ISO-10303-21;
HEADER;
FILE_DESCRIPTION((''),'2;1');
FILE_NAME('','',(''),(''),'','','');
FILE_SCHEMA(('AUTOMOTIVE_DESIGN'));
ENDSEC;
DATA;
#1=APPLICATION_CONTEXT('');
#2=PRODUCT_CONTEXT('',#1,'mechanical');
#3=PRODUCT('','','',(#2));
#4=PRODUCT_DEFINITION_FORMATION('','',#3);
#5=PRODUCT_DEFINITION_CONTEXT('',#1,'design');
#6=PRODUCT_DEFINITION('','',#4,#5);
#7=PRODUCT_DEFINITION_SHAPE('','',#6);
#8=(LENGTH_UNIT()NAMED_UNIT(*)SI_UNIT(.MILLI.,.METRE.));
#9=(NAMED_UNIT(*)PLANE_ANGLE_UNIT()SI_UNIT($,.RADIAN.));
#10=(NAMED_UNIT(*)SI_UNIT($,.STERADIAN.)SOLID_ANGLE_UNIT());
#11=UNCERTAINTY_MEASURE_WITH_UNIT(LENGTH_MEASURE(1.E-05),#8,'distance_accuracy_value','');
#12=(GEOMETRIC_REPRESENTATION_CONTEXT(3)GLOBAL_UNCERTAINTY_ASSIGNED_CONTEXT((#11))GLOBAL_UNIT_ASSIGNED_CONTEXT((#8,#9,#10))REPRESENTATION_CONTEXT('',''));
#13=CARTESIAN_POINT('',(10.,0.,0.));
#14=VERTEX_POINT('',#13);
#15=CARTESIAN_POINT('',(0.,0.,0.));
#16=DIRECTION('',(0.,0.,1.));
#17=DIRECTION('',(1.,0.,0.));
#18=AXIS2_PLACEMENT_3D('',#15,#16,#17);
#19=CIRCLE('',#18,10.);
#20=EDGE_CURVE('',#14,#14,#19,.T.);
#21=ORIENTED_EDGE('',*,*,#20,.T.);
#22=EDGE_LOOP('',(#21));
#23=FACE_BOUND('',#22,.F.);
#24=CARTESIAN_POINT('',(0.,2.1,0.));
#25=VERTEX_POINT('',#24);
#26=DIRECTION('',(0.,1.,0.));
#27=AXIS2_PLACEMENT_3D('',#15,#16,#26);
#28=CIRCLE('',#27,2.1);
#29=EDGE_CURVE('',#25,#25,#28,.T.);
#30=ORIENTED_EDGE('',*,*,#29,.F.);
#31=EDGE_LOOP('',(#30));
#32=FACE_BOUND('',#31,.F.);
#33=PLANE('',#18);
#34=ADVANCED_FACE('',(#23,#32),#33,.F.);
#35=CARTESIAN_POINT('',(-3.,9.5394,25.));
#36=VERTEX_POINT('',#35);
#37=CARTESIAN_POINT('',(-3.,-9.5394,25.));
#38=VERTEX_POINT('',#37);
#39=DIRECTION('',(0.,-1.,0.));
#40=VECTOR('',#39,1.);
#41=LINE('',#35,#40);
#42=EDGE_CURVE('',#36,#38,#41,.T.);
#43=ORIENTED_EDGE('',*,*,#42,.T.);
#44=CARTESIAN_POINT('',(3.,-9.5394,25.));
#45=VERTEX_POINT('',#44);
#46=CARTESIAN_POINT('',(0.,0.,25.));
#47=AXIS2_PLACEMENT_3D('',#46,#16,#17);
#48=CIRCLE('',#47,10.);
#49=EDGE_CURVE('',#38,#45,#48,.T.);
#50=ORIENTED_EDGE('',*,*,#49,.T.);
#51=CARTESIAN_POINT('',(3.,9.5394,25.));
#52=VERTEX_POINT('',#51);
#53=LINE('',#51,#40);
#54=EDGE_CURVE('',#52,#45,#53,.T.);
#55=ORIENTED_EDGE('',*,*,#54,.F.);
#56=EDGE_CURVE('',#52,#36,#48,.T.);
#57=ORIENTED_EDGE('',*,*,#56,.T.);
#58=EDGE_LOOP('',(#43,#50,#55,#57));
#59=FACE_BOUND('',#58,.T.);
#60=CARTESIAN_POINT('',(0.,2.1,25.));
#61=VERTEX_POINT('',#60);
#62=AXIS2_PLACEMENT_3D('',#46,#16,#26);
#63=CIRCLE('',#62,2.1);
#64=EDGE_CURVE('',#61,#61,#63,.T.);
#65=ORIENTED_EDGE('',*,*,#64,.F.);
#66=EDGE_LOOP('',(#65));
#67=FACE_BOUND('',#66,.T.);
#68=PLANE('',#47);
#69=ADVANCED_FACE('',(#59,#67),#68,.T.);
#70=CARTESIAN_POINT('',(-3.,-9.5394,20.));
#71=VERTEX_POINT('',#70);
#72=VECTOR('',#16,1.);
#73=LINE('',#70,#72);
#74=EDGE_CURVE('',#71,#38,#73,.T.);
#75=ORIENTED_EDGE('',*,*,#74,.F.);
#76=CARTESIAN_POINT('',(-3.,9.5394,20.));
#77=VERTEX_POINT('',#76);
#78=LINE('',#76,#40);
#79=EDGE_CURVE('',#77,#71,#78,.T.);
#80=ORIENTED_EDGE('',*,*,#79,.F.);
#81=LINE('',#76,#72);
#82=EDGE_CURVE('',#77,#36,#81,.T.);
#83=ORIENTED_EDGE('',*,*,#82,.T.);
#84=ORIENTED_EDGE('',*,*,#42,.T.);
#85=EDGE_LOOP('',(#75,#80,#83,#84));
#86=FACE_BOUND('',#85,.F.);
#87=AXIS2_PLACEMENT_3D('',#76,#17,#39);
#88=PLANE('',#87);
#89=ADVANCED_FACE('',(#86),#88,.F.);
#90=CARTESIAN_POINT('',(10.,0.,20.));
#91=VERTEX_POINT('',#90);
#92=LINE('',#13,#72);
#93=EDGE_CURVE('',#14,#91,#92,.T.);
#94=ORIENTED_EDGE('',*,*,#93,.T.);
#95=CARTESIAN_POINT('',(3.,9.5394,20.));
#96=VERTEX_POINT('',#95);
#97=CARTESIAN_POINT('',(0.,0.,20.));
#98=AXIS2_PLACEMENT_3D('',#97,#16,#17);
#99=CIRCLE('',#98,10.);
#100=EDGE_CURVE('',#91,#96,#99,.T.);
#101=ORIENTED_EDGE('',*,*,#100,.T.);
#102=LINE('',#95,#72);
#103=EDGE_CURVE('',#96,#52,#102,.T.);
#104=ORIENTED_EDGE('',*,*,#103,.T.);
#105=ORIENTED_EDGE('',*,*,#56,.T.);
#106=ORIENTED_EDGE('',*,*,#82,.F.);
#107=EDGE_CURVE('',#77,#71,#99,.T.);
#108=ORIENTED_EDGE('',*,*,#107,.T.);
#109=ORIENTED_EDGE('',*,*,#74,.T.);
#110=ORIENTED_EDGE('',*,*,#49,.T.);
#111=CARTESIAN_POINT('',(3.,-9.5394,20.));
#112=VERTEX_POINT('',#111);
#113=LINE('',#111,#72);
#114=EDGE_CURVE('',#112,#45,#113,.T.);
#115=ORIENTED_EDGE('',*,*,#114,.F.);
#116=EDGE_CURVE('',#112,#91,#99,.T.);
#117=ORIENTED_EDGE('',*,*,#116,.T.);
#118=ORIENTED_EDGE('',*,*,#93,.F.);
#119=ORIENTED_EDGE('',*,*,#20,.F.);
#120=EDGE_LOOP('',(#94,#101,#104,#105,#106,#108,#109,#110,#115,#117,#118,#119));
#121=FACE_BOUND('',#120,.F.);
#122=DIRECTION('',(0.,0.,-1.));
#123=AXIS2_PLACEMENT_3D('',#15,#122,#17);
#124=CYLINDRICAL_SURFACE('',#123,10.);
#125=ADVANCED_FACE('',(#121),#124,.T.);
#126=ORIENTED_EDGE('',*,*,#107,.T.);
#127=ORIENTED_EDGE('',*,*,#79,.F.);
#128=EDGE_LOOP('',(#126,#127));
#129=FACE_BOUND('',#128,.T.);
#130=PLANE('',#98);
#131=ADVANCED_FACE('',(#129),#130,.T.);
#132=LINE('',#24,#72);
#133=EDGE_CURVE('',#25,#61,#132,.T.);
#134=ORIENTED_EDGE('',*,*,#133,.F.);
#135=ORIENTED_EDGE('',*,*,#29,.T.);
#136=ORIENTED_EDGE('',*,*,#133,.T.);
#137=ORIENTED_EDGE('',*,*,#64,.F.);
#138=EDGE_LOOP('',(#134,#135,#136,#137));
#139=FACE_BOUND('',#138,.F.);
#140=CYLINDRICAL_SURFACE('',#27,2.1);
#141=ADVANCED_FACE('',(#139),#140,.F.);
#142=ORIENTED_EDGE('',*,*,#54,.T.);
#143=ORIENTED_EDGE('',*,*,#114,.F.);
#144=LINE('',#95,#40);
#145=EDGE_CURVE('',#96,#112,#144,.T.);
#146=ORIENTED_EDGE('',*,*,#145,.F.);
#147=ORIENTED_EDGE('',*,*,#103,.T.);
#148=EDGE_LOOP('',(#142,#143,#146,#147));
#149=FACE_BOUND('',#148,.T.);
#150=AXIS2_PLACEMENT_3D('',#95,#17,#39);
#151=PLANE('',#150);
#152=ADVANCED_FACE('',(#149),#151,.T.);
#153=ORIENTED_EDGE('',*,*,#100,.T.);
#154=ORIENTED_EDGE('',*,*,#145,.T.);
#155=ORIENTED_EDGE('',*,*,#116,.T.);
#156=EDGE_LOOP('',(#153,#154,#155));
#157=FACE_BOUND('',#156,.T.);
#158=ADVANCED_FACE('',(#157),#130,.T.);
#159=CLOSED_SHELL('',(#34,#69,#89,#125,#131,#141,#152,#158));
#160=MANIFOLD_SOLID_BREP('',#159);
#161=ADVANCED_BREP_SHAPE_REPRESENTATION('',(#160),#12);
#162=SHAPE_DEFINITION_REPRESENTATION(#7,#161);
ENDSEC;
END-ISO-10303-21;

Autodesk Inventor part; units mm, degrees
ref_plane "YZ Plane" through (0, 0, 0) normal (1, 0, 0) x (0, 1, 0)
ref_plane "XZ Plane" through (0, 0, 0) normal (0, 1, 0) x (-1, 0, 0)
ref_plane "XY Plane" through (0, 0, 0) normal (0, 0, 1) x (1, 0, 0)
sketch "Sketch1" plane through (0, 0, 0) normal (0, 0, 1) x (1, 0, 0)
  circle A0 centre (0, 0) radius 10
  dimension "d0" = 20
extrude "Extrusion1" add sketch "Sketch1" along normal blind 20
sketch "Sketch2" plane through (0, 0, 20) normal (0, 0, 1) x (1, 0, 0)
  circle A0 centre (0, 0) radius 10 projected
  line L0 (0, 10) -> (0, -10) construction
  line L1 (3, 9.5394) -> (3, -9.5394)
  line L2 (-3, 9.5394) -> (-3, -9.5394)
  arc A1 (-3, -9.5394) -> (3, -9.5394) centre (0, 0) ccw
  arc A2 (3, 9.5394) -> (-3, 9.5394) centre (0, 0) ccw
  dimension "d3" = 3
  dimension "d4" = 3
extrude "Extrusion2" add sketch "Sketch2" along normal blind 5 contours L1 A0 L2
hole "Hole1" at (0, 0, 0) direction (0, 0, 1) diameter 4.2 end through all
properties part number "Ender 5 Foot Spacer"
